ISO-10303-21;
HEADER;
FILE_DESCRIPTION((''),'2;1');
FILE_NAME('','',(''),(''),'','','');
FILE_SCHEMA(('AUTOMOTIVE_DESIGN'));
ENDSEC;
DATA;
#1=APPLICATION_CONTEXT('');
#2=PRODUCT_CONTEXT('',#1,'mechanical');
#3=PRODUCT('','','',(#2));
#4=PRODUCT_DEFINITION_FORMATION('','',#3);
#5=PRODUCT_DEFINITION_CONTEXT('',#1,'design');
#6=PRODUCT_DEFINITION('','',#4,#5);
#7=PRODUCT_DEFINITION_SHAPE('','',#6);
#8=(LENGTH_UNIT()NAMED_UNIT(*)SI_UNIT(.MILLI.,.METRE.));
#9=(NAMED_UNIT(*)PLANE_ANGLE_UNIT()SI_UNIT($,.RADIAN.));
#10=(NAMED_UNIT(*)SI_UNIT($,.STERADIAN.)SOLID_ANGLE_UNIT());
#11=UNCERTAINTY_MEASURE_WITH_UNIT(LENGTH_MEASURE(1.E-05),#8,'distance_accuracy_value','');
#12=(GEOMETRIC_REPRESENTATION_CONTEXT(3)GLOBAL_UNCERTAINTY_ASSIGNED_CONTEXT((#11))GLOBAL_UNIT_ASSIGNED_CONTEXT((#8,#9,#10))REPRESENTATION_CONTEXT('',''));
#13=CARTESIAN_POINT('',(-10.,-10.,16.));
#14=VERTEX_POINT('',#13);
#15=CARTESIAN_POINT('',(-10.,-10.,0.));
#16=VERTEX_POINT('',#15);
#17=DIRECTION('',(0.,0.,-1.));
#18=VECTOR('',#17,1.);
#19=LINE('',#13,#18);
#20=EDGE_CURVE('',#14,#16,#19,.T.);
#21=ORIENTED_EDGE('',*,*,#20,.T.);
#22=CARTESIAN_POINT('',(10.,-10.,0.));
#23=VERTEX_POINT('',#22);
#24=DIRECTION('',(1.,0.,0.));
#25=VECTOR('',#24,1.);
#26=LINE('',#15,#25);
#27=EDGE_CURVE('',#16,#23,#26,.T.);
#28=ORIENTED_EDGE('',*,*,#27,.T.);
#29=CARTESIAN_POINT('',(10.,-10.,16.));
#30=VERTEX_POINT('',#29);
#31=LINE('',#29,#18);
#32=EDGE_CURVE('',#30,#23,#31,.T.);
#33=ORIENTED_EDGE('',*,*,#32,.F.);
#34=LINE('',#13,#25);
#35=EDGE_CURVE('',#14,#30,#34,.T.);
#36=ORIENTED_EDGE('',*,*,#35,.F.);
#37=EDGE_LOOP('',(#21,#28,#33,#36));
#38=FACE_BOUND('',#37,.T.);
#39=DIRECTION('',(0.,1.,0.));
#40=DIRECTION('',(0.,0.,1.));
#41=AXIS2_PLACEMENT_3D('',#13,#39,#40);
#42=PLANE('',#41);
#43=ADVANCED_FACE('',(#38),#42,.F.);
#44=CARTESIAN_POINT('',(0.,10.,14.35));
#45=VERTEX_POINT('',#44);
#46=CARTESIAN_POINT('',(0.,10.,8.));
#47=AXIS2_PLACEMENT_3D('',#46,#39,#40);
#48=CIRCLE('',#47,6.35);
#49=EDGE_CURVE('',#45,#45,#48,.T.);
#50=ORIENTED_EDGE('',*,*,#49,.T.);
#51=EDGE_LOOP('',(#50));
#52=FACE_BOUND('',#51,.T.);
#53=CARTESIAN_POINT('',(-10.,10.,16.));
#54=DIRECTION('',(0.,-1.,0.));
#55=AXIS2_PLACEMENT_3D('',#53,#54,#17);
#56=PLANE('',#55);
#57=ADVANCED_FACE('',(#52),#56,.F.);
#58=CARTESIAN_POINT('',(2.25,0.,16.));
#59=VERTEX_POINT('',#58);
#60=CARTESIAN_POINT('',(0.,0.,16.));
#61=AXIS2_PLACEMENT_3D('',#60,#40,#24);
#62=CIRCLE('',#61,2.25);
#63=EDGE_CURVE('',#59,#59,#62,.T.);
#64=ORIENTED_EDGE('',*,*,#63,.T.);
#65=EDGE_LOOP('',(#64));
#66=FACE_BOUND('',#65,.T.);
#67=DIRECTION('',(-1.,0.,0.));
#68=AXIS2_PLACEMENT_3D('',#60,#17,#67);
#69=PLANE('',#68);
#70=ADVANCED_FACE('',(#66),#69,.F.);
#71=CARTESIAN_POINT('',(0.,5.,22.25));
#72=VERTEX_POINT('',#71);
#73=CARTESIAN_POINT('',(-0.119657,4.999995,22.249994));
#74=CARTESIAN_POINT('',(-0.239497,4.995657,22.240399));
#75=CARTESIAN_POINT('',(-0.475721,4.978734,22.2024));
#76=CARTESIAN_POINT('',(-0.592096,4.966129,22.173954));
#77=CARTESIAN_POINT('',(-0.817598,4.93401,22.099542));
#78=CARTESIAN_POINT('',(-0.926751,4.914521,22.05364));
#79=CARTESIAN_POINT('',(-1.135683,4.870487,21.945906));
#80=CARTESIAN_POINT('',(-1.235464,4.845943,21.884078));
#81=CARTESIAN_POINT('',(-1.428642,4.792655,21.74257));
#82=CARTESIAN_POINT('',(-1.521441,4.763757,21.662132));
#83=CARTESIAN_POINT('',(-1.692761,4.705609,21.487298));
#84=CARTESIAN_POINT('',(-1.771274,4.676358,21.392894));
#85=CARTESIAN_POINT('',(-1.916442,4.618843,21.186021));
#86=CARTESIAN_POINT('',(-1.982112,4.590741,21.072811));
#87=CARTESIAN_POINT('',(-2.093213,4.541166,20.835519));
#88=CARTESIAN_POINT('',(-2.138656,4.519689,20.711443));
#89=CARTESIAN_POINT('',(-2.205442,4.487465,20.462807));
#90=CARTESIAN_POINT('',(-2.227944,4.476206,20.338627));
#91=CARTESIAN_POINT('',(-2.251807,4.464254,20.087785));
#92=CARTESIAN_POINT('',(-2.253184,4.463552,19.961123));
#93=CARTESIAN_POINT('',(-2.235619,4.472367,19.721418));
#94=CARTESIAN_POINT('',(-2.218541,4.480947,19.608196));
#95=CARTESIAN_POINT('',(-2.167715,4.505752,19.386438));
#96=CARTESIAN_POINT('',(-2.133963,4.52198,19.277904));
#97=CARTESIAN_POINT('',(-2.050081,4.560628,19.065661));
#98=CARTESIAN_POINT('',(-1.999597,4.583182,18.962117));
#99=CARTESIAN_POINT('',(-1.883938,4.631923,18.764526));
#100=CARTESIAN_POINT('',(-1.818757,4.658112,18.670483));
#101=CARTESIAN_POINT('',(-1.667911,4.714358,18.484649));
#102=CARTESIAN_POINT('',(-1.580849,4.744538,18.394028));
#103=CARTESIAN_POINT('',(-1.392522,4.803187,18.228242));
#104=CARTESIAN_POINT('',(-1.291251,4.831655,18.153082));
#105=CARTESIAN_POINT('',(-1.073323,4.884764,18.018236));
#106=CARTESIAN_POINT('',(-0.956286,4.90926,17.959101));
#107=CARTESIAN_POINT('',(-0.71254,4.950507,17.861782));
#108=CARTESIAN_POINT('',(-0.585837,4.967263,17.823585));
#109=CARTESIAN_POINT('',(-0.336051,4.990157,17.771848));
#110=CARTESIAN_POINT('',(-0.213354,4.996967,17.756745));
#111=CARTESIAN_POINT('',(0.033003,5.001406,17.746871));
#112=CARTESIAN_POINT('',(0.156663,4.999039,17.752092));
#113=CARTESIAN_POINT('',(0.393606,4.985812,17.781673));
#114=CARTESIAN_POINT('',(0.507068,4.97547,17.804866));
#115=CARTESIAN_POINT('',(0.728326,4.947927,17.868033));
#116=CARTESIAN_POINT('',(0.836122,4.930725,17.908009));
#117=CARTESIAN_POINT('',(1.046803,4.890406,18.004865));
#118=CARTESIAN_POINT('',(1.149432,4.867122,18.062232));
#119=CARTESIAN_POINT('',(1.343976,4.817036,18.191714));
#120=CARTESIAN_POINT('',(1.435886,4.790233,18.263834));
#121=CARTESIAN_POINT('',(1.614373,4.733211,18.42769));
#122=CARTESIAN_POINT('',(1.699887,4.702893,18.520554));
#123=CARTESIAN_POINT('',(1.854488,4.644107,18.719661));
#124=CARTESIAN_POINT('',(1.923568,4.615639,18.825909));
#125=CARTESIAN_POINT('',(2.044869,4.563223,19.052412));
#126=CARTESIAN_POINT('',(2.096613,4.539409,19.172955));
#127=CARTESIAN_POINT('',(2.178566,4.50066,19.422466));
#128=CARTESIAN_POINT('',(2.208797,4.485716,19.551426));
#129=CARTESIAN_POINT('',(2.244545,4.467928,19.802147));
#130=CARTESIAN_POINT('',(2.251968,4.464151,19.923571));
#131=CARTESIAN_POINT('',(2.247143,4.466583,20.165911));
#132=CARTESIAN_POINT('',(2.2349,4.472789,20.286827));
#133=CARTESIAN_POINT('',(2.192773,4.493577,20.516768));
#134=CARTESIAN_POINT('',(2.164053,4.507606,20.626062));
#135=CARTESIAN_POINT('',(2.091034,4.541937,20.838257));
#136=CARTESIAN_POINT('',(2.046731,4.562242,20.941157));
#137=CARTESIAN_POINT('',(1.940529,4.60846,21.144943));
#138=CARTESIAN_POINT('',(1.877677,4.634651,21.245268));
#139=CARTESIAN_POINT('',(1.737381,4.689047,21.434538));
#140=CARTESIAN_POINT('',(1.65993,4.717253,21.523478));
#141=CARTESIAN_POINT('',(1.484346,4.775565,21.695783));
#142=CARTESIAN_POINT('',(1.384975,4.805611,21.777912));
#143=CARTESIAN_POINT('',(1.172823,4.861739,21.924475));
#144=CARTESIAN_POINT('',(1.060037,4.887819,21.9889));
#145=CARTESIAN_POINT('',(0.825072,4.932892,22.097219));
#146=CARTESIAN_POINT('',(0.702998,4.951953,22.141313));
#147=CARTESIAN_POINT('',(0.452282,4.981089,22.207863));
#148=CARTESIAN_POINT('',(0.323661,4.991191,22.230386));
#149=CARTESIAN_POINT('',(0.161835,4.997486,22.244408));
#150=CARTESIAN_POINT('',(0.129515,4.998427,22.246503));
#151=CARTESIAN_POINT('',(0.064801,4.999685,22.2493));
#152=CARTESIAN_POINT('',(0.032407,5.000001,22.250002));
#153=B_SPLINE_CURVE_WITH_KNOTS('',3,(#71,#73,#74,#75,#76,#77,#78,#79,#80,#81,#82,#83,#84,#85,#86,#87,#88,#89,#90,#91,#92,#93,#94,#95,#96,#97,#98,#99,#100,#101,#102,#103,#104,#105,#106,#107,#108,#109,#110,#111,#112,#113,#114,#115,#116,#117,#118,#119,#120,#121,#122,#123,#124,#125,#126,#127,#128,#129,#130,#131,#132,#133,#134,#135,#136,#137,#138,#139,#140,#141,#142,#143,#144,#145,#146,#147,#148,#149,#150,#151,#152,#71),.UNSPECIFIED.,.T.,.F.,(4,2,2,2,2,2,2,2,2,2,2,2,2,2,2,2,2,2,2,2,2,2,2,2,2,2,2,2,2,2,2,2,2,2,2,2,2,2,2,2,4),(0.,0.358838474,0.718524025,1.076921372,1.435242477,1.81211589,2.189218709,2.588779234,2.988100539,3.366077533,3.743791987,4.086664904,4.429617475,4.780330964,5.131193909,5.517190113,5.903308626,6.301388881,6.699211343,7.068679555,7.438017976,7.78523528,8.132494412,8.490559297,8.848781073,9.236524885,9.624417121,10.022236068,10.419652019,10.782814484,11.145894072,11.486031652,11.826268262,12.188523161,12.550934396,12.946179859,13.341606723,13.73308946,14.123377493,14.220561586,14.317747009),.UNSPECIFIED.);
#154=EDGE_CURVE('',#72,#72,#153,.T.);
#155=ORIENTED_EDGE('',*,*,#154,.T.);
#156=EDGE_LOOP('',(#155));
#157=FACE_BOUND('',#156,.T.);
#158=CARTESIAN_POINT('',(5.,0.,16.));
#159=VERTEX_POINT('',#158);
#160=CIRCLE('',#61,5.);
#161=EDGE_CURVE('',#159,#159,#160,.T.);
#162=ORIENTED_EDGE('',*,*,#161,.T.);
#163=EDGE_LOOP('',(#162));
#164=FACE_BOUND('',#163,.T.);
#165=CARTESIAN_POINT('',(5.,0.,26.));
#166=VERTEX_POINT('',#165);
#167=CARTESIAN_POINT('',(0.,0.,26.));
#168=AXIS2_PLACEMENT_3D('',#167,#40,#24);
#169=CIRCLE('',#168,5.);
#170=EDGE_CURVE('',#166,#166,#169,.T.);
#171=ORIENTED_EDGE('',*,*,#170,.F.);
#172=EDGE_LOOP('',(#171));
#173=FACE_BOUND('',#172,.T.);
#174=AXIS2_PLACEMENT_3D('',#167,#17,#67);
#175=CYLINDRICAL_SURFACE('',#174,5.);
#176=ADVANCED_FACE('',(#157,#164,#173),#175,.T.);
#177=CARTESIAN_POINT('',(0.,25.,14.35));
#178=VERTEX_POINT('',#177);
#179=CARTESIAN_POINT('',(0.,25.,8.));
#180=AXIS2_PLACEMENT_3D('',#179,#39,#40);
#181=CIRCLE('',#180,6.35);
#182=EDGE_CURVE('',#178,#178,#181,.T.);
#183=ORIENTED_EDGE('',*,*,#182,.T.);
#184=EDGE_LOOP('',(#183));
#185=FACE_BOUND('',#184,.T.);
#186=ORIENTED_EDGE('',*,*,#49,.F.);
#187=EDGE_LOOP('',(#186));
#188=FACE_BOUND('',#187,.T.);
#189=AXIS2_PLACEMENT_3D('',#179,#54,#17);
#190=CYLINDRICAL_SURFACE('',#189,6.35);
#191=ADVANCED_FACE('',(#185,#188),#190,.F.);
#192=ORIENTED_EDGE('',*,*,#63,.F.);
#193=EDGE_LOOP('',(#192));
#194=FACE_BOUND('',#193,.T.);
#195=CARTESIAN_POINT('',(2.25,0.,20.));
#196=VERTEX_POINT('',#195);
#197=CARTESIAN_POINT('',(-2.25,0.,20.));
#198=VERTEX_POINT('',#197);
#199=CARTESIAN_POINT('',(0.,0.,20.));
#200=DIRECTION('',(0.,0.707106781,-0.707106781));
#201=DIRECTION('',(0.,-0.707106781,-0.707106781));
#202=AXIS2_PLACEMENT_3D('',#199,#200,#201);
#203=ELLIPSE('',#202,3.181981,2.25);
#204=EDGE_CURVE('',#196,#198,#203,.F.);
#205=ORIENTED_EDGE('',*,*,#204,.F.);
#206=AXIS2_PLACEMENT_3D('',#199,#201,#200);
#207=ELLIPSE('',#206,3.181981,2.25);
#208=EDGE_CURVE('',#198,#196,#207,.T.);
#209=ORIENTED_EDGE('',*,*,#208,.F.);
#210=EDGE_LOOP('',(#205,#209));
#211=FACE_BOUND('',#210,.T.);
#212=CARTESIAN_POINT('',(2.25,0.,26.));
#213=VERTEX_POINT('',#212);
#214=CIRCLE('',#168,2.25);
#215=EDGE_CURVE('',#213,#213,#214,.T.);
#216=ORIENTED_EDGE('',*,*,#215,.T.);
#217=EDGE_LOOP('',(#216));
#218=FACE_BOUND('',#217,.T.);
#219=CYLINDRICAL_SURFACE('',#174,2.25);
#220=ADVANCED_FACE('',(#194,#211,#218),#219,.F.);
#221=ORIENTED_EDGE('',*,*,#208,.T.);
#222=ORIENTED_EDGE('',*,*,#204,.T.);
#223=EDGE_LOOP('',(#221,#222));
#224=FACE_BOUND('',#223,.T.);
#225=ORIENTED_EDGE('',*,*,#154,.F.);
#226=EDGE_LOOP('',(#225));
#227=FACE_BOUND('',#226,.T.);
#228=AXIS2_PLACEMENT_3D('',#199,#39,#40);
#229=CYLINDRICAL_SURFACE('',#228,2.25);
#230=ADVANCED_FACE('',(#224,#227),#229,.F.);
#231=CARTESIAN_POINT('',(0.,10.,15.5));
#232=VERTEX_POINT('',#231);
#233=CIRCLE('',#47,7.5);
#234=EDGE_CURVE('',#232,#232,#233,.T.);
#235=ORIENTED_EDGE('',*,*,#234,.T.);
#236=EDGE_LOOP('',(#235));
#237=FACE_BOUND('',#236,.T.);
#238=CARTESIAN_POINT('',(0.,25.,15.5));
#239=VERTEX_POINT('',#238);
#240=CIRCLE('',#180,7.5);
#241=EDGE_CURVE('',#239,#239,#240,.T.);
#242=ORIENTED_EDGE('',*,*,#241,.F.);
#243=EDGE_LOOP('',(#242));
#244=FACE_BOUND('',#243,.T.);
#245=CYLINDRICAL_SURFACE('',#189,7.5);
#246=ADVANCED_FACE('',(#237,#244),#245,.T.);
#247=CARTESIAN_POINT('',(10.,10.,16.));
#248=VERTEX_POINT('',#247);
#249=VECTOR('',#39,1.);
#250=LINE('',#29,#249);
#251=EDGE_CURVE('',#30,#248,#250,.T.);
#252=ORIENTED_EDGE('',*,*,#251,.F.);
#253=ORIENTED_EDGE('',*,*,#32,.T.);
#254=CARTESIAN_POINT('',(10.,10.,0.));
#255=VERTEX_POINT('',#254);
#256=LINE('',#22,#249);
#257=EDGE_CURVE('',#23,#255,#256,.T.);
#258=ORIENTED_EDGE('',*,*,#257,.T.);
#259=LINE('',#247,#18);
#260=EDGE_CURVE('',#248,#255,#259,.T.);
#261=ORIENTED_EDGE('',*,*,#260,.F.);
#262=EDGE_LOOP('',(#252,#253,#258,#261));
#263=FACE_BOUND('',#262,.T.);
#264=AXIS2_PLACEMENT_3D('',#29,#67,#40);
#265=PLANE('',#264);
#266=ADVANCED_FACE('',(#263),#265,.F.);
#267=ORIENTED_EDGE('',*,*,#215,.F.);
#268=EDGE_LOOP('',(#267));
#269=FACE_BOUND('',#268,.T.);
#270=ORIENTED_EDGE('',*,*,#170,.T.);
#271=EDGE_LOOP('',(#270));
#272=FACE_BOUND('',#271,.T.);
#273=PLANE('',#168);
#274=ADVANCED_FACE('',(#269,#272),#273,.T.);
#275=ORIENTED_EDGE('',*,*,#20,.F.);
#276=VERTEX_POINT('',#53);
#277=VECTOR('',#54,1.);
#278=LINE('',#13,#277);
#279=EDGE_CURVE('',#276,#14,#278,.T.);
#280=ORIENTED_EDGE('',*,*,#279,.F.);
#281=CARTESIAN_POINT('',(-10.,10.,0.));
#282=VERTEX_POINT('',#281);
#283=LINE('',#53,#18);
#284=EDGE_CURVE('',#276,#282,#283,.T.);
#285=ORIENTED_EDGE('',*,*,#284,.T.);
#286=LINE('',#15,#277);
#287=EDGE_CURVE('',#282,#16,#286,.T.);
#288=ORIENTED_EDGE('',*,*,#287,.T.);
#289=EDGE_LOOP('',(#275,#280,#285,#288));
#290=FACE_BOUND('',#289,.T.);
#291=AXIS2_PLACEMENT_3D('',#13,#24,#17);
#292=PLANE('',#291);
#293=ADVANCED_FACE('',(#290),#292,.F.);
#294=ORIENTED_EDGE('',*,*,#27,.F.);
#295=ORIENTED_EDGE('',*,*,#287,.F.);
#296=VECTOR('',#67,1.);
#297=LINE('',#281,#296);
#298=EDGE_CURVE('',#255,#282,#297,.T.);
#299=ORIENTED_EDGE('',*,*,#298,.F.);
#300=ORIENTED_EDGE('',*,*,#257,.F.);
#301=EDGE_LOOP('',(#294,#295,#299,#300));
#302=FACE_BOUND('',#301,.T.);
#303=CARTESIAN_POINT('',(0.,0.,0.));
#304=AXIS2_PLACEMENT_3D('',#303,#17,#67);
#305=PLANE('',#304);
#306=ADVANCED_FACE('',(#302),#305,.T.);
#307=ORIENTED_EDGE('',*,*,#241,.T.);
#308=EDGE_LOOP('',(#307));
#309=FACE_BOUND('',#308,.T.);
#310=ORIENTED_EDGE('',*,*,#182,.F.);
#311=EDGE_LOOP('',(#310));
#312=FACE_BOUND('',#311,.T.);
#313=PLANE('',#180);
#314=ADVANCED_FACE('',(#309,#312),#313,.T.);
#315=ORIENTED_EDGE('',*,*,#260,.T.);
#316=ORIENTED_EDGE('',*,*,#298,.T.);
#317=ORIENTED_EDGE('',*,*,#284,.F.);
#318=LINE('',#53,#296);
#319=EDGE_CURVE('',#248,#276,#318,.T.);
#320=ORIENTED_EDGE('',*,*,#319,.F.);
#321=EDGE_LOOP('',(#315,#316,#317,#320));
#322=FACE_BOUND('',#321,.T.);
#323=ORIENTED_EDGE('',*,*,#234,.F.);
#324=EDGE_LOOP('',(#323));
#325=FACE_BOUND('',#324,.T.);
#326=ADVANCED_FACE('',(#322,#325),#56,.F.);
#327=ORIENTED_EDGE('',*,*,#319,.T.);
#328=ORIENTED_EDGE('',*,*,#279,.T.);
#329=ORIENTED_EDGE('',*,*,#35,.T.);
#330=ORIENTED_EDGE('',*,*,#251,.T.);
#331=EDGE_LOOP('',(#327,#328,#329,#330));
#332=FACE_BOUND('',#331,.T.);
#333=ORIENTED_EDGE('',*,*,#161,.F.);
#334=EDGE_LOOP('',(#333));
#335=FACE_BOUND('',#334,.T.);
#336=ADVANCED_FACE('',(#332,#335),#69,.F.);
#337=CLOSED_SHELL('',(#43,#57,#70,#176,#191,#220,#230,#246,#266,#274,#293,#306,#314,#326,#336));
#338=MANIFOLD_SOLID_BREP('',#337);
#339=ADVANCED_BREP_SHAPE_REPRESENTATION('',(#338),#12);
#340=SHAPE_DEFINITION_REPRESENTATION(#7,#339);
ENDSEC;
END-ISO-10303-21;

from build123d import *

# Parameters (mm, degrees)
CROQUIS1_W              = 20
CROQUIS1_H              = 20
SALIENTE_EXTRUIR1_DEPTH = 16
CROQUIS2_R              = 5
CROQUIS2_R_2            = 2.25
SALIENTE_EXTRUIR2_DEPTH = 10
CROQUIS6_R              = 7.5
CROQUIS6_R_2            = 6.35
SALIENTE_EXTRUIR3_DEPTH = 15
CROQUIS7_R              = 2.25
CORTAR_EXTRUIR1_DEPTH   = 10


with BuildPart() as part:
    # Croquis1 → Saliente-Extruir1 (new body)
    with BuildSketch(Plane.XY):
        Rectangle(CROQUIS1_W, CROQUIS1_H)
    extrude(amount=SALIENTE_EXTRUIR1_DEPTH)

    # Croquis2 → Saliente-Extruir2 (add)
    with BuildSketch(Plane.XY.offset(16)):
        Circle(CROQUIS2_R)
        Circle(CROQUIS2_R_2, mode=Mode.SUBTRACT)
    extrude(amount=SALIENTE_EXTRUIR2_DEPTH)

    # Croquis6 → Saliente-Extruir3 (add)
    with BuildSketch(Plane(origin=(0, 10, 0), x_dir=(1, 0, 0), z_dir=(0, 1, 0))):
        with Locations(Location((0, -8, 0), (0, 0, 270))):
            Circle(CROQUIS6_R)
        with Locations(Location((0, -8, 0), (0, 0, 270))):
            Circle(CROQUIS6_R_2, mode=Mode.SUBTRACT)
    extrude(amount=SALIENTE_EXTRUIR3_DEPTH)

    # Croquis7 → Cortar-Extruir1 (cut)
    with BuildSketch(Plane(origin=(0, 10, 0), x_dir=(1, 0, 0), z_dir=(0, 1, 0))):
        with Locations(Location((0, -20, 0), (0, 0, 270))):
            Circle(CROQUIS7_R)
    extrude(amount=-CORTAR_EXTRUIR1_DEPTH, mode=Mode.SUBTRACT)


solid = part.part
